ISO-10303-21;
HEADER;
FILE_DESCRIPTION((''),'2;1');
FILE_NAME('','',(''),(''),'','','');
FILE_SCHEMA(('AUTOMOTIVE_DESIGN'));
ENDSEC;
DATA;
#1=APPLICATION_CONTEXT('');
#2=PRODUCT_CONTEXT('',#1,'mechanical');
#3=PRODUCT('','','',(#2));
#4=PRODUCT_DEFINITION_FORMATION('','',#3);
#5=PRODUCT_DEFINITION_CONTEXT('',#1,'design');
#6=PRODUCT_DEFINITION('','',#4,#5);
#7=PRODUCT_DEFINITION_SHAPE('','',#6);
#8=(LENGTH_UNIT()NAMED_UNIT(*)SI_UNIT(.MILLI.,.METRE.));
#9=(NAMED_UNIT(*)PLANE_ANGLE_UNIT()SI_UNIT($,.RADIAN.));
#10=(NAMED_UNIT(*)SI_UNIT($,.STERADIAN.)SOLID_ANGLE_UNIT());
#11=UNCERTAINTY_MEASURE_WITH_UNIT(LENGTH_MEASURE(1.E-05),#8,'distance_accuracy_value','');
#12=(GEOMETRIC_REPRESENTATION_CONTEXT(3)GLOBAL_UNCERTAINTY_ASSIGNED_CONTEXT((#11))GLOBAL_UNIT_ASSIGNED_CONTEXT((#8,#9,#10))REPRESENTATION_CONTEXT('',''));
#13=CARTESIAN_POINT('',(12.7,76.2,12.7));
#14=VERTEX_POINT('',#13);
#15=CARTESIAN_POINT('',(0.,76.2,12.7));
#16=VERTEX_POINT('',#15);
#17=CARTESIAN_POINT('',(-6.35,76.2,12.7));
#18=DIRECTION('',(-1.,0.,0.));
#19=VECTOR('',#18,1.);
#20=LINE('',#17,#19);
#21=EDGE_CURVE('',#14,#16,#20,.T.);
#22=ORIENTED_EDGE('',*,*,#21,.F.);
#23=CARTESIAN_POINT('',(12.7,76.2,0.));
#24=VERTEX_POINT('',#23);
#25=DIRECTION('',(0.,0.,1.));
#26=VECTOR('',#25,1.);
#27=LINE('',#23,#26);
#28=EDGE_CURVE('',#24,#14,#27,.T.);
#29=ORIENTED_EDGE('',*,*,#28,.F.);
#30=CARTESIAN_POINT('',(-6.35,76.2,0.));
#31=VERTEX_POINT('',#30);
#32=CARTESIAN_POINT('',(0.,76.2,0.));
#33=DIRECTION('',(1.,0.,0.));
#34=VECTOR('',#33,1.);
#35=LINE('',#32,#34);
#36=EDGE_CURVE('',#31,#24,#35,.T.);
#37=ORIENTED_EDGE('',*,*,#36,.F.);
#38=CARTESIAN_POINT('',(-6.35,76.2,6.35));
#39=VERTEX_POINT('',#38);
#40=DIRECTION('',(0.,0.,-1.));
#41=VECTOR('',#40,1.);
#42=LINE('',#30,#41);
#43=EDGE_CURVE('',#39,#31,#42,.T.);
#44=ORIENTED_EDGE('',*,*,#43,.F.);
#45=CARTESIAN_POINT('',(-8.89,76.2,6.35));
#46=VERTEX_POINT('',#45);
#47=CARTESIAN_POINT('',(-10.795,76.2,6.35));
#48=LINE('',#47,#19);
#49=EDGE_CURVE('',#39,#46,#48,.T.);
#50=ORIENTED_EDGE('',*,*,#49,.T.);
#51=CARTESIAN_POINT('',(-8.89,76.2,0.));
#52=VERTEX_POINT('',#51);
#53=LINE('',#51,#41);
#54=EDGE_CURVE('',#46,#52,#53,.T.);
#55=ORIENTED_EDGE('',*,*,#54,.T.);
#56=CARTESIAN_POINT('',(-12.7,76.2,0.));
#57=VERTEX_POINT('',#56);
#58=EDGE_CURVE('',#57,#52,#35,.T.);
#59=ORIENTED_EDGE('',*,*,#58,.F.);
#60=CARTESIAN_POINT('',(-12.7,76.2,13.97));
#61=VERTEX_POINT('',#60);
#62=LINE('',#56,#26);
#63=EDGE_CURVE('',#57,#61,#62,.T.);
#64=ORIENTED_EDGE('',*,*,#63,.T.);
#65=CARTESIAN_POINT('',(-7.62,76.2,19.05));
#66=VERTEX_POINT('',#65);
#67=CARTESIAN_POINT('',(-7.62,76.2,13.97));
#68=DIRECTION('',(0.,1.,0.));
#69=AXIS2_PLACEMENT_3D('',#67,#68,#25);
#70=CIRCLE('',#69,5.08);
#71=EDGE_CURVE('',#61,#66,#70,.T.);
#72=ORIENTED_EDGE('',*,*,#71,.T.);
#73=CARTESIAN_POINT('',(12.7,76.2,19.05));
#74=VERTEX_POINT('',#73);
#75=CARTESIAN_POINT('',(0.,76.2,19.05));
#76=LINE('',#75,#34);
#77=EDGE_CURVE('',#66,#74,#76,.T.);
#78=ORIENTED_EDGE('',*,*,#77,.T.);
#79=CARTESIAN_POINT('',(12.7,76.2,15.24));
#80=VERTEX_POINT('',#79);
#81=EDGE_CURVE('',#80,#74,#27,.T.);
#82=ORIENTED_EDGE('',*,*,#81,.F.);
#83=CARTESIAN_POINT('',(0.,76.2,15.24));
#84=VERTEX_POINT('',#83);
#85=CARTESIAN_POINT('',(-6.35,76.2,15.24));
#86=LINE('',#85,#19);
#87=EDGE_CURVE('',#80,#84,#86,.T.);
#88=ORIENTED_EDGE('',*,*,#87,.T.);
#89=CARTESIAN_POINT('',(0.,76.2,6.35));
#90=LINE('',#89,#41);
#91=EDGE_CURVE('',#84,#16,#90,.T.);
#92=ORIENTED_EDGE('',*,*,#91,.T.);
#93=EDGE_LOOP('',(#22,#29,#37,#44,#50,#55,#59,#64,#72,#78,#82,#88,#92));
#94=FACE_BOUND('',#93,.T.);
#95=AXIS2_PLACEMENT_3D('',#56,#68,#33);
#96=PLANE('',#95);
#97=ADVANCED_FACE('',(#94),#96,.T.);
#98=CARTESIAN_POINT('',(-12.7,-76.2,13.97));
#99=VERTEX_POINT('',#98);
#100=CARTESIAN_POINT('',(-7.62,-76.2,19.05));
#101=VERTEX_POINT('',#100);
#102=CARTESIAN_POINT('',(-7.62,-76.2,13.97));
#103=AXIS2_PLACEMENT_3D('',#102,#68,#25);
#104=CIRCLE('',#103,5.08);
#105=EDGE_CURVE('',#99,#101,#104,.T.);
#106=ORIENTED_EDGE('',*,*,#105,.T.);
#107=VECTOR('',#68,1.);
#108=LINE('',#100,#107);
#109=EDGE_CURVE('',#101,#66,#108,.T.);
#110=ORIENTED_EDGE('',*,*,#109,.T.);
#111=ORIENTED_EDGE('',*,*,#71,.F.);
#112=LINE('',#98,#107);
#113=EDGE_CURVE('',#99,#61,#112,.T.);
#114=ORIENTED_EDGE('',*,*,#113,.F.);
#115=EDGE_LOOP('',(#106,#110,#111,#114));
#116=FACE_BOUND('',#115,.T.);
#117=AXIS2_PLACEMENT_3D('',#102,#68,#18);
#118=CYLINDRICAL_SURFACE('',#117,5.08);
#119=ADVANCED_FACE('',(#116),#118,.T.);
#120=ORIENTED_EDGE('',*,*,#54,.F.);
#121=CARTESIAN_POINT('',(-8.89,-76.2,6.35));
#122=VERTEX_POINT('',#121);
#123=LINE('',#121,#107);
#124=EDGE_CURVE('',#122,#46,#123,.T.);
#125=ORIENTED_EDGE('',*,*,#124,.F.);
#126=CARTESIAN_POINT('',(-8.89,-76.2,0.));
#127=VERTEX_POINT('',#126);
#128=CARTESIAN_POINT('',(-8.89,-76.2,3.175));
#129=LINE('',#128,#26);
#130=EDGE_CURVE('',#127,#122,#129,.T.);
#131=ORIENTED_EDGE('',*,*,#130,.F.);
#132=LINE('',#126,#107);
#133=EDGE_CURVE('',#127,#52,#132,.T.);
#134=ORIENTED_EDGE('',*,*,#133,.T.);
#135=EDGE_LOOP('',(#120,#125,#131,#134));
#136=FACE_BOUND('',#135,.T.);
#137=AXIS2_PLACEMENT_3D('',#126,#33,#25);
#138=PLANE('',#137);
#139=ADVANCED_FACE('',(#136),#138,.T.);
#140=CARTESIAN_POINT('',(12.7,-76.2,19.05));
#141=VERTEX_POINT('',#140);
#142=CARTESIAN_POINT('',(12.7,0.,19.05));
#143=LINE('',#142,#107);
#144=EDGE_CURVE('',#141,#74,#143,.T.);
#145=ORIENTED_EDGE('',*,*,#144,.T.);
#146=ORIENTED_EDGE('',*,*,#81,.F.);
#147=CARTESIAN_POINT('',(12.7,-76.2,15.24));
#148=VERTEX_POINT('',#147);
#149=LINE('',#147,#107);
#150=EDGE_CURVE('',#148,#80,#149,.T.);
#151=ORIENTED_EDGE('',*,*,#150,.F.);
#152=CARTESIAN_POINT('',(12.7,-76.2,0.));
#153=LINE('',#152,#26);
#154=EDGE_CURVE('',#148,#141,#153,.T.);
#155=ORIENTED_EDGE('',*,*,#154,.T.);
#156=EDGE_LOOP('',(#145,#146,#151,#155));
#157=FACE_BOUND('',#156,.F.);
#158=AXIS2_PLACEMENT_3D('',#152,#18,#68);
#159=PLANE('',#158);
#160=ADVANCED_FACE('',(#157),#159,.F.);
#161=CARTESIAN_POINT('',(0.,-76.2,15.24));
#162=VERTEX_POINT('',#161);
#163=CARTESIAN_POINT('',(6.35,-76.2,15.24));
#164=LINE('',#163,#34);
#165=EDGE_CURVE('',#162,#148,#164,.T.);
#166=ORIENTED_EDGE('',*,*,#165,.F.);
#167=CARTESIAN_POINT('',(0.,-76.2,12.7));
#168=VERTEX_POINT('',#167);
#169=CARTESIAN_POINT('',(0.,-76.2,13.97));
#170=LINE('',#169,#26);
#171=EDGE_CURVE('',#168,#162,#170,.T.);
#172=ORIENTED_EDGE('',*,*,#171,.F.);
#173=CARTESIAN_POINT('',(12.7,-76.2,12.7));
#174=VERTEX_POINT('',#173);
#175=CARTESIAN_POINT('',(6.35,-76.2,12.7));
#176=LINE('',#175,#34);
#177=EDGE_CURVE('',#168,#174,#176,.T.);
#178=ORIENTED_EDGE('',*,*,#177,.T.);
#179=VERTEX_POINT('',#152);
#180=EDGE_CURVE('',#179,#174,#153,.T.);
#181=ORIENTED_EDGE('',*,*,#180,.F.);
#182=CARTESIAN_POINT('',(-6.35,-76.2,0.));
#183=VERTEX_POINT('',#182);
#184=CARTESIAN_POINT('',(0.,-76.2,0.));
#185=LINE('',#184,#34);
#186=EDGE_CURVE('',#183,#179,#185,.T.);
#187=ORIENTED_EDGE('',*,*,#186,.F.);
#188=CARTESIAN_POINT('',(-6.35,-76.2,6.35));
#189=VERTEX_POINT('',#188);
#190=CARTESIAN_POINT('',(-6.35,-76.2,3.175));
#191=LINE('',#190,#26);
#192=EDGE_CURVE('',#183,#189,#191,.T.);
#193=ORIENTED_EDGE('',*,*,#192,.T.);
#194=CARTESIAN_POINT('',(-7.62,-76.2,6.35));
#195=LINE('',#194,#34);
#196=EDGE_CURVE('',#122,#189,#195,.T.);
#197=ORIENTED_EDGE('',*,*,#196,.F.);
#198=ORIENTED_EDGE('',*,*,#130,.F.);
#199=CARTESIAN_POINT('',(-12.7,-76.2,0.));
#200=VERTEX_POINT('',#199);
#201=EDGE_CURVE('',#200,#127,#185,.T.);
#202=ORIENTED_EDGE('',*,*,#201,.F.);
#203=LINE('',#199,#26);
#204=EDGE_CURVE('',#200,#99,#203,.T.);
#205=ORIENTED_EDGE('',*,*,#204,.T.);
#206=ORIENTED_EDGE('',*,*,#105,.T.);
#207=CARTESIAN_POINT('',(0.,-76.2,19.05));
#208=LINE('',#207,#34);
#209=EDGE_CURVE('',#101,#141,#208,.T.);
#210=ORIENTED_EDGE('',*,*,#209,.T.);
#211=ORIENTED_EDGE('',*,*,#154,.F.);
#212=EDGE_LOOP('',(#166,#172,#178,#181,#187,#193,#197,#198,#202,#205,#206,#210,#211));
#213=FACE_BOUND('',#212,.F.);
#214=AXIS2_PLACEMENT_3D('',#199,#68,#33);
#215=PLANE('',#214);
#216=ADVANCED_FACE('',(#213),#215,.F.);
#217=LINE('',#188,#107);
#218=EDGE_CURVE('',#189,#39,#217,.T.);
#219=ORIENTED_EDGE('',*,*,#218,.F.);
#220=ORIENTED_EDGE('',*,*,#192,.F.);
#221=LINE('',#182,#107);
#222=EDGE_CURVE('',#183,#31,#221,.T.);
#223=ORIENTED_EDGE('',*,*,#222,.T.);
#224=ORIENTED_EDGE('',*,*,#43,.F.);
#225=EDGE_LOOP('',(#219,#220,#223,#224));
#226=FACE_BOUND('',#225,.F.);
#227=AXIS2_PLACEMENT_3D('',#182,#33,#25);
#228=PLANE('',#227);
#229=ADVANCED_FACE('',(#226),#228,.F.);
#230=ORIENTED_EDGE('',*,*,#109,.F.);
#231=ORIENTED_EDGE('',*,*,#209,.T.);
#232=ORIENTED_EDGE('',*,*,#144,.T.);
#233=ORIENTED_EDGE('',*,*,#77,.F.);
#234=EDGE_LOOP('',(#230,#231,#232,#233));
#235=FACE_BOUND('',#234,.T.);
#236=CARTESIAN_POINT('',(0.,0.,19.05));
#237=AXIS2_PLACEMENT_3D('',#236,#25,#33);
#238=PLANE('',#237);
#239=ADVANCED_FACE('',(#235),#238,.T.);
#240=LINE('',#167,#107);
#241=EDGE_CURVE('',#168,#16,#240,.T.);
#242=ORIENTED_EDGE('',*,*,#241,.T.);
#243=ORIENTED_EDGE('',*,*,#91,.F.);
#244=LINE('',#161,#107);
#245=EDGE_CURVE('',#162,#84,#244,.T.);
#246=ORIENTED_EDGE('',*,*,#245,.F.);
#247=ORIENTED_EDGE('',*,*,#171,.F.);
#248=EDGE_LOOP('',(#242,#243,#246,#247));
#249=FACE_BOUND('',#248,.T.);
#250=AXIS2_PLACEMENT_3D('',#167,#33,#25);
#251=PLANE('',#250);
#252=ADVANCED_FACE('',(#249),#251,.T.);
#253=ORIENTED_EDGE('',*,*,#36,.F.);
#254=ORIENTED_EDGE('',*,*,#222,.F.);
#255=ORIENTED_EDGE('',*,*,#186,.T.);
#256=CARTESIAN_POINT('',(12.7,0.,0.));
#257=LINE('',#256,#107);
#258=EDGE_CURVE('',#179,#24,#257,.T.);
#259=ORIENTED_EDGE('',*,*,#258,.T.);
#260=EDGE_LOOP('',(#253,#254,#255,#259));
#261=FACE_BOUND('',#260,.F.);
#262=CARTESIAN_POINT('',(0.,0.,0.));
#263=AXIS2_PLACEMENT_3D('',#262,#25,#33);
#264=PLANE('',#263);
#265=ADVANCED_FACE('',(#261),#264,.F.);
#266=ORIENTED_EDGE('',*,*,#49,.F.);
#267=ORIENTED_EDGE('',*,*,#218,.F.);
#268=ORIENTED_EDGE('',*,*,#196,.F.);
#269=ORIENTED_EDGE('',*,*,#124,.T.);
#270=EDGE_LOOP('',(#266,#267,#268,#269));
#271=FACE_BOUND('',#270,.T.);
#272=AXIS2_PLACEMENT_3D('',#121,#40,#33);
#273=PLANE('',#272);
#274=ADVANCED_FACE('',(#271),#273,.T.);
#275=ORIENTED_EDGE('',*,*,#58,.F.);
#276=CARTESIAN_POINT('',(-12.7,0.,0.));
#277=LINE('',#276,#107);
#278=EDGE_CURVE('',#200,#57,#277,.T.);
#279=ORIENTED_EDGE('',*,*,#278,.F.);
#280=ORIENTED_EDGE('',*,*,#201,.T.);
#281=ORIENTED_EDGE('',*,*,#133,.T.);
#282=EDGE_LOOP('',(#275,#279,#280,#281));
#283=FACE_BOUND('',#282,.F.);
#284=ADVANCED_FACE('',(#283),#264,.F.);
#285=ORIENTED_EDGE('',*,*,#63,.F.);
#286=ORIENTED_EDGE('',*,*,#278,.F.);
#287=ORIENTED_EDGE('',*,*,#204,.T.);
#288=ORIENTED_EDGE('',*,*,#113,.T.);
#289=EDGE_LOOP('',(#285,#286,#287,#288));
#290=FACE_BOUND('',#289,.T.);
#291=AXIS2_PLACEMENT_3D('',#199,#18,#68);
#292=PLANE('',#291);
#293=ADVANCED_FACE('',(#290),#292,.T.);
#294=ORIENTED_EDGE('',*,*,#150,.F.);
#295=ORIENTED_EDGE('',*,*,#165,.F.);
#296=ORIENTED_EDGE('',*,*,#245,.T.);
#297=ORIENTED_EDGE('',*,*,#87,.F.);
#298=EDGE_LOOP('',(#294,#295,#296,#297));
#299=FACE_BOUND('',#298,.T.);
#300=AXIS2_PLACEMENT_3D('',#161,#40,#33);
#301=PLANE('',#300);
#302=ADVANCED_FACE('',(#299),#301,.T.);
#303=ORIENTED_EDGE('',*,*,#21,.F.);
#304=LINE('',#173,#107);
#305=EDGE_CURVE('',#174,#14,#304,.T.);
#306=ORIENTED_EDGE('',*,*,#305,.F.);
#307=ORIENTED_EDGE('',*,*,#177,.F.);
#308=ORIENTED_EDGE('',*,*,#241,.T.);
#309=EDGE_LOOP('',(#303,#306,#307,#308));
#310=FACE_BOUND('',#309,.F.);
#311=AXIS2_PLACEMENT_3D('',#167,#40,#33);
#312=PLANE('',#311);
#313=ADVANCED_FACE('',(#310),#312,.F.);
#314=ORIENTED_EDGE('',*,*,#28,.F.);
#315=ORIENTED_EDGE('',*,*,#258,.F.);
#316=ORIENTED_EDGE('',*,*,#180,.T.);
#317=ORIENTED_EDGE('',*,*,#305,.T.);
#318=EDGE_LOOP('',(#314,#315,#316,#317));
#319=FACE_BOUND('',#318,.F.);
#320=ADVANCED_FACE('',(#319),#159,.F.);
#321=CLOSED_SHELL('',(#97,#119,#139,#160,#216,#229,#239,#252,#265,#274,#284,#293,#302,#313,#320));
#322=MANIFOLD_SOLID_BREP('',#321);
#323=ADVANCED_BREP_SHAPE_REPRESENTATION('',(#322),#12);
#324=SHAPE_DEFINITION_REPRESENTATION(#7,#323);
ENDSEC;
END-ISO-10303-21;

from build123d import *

# Parameters (mm, degrees)
F0_W     = 25.4
F0_H     = 152.4
F1_DEPTH = 19.05
F2_W     = 12.7
F2_H     = 2.54
F2_W_2   = 2.54
F2_H_2   = 6.35
F3_DEPTH = 177.8
F4_R     = 5.08


with BuildPart() as f1:
    # F0 (on Top) → F1 (new body)
    with BuildSketch(Plane.XY):
        Rectangle(F0_W, F0_H)
    extrude(amount=F1_DEPTH)

    # F2 (on face) → F3 (cut)
    with BuildSketch(Plane.XZ.offset(76.2)):
        with Locations((6.35, 13.97)):
            Rectangle(F2_W, F2_H)
        with Locations((-7.62, 3.175)):
            Rectangle(F2_W_2, F2_H_2)
    extrude(amount=-F3_DEPTH, mode=Mode.SUBTRACT)

    # F4
    f4_edges = [f1.edges().sort_by_distance(p)[0] for p in [
        (-12.7, 0, 19.05),
    ]]
    fillet(f4_edges, radius=F4_R)


solid = f1.part
